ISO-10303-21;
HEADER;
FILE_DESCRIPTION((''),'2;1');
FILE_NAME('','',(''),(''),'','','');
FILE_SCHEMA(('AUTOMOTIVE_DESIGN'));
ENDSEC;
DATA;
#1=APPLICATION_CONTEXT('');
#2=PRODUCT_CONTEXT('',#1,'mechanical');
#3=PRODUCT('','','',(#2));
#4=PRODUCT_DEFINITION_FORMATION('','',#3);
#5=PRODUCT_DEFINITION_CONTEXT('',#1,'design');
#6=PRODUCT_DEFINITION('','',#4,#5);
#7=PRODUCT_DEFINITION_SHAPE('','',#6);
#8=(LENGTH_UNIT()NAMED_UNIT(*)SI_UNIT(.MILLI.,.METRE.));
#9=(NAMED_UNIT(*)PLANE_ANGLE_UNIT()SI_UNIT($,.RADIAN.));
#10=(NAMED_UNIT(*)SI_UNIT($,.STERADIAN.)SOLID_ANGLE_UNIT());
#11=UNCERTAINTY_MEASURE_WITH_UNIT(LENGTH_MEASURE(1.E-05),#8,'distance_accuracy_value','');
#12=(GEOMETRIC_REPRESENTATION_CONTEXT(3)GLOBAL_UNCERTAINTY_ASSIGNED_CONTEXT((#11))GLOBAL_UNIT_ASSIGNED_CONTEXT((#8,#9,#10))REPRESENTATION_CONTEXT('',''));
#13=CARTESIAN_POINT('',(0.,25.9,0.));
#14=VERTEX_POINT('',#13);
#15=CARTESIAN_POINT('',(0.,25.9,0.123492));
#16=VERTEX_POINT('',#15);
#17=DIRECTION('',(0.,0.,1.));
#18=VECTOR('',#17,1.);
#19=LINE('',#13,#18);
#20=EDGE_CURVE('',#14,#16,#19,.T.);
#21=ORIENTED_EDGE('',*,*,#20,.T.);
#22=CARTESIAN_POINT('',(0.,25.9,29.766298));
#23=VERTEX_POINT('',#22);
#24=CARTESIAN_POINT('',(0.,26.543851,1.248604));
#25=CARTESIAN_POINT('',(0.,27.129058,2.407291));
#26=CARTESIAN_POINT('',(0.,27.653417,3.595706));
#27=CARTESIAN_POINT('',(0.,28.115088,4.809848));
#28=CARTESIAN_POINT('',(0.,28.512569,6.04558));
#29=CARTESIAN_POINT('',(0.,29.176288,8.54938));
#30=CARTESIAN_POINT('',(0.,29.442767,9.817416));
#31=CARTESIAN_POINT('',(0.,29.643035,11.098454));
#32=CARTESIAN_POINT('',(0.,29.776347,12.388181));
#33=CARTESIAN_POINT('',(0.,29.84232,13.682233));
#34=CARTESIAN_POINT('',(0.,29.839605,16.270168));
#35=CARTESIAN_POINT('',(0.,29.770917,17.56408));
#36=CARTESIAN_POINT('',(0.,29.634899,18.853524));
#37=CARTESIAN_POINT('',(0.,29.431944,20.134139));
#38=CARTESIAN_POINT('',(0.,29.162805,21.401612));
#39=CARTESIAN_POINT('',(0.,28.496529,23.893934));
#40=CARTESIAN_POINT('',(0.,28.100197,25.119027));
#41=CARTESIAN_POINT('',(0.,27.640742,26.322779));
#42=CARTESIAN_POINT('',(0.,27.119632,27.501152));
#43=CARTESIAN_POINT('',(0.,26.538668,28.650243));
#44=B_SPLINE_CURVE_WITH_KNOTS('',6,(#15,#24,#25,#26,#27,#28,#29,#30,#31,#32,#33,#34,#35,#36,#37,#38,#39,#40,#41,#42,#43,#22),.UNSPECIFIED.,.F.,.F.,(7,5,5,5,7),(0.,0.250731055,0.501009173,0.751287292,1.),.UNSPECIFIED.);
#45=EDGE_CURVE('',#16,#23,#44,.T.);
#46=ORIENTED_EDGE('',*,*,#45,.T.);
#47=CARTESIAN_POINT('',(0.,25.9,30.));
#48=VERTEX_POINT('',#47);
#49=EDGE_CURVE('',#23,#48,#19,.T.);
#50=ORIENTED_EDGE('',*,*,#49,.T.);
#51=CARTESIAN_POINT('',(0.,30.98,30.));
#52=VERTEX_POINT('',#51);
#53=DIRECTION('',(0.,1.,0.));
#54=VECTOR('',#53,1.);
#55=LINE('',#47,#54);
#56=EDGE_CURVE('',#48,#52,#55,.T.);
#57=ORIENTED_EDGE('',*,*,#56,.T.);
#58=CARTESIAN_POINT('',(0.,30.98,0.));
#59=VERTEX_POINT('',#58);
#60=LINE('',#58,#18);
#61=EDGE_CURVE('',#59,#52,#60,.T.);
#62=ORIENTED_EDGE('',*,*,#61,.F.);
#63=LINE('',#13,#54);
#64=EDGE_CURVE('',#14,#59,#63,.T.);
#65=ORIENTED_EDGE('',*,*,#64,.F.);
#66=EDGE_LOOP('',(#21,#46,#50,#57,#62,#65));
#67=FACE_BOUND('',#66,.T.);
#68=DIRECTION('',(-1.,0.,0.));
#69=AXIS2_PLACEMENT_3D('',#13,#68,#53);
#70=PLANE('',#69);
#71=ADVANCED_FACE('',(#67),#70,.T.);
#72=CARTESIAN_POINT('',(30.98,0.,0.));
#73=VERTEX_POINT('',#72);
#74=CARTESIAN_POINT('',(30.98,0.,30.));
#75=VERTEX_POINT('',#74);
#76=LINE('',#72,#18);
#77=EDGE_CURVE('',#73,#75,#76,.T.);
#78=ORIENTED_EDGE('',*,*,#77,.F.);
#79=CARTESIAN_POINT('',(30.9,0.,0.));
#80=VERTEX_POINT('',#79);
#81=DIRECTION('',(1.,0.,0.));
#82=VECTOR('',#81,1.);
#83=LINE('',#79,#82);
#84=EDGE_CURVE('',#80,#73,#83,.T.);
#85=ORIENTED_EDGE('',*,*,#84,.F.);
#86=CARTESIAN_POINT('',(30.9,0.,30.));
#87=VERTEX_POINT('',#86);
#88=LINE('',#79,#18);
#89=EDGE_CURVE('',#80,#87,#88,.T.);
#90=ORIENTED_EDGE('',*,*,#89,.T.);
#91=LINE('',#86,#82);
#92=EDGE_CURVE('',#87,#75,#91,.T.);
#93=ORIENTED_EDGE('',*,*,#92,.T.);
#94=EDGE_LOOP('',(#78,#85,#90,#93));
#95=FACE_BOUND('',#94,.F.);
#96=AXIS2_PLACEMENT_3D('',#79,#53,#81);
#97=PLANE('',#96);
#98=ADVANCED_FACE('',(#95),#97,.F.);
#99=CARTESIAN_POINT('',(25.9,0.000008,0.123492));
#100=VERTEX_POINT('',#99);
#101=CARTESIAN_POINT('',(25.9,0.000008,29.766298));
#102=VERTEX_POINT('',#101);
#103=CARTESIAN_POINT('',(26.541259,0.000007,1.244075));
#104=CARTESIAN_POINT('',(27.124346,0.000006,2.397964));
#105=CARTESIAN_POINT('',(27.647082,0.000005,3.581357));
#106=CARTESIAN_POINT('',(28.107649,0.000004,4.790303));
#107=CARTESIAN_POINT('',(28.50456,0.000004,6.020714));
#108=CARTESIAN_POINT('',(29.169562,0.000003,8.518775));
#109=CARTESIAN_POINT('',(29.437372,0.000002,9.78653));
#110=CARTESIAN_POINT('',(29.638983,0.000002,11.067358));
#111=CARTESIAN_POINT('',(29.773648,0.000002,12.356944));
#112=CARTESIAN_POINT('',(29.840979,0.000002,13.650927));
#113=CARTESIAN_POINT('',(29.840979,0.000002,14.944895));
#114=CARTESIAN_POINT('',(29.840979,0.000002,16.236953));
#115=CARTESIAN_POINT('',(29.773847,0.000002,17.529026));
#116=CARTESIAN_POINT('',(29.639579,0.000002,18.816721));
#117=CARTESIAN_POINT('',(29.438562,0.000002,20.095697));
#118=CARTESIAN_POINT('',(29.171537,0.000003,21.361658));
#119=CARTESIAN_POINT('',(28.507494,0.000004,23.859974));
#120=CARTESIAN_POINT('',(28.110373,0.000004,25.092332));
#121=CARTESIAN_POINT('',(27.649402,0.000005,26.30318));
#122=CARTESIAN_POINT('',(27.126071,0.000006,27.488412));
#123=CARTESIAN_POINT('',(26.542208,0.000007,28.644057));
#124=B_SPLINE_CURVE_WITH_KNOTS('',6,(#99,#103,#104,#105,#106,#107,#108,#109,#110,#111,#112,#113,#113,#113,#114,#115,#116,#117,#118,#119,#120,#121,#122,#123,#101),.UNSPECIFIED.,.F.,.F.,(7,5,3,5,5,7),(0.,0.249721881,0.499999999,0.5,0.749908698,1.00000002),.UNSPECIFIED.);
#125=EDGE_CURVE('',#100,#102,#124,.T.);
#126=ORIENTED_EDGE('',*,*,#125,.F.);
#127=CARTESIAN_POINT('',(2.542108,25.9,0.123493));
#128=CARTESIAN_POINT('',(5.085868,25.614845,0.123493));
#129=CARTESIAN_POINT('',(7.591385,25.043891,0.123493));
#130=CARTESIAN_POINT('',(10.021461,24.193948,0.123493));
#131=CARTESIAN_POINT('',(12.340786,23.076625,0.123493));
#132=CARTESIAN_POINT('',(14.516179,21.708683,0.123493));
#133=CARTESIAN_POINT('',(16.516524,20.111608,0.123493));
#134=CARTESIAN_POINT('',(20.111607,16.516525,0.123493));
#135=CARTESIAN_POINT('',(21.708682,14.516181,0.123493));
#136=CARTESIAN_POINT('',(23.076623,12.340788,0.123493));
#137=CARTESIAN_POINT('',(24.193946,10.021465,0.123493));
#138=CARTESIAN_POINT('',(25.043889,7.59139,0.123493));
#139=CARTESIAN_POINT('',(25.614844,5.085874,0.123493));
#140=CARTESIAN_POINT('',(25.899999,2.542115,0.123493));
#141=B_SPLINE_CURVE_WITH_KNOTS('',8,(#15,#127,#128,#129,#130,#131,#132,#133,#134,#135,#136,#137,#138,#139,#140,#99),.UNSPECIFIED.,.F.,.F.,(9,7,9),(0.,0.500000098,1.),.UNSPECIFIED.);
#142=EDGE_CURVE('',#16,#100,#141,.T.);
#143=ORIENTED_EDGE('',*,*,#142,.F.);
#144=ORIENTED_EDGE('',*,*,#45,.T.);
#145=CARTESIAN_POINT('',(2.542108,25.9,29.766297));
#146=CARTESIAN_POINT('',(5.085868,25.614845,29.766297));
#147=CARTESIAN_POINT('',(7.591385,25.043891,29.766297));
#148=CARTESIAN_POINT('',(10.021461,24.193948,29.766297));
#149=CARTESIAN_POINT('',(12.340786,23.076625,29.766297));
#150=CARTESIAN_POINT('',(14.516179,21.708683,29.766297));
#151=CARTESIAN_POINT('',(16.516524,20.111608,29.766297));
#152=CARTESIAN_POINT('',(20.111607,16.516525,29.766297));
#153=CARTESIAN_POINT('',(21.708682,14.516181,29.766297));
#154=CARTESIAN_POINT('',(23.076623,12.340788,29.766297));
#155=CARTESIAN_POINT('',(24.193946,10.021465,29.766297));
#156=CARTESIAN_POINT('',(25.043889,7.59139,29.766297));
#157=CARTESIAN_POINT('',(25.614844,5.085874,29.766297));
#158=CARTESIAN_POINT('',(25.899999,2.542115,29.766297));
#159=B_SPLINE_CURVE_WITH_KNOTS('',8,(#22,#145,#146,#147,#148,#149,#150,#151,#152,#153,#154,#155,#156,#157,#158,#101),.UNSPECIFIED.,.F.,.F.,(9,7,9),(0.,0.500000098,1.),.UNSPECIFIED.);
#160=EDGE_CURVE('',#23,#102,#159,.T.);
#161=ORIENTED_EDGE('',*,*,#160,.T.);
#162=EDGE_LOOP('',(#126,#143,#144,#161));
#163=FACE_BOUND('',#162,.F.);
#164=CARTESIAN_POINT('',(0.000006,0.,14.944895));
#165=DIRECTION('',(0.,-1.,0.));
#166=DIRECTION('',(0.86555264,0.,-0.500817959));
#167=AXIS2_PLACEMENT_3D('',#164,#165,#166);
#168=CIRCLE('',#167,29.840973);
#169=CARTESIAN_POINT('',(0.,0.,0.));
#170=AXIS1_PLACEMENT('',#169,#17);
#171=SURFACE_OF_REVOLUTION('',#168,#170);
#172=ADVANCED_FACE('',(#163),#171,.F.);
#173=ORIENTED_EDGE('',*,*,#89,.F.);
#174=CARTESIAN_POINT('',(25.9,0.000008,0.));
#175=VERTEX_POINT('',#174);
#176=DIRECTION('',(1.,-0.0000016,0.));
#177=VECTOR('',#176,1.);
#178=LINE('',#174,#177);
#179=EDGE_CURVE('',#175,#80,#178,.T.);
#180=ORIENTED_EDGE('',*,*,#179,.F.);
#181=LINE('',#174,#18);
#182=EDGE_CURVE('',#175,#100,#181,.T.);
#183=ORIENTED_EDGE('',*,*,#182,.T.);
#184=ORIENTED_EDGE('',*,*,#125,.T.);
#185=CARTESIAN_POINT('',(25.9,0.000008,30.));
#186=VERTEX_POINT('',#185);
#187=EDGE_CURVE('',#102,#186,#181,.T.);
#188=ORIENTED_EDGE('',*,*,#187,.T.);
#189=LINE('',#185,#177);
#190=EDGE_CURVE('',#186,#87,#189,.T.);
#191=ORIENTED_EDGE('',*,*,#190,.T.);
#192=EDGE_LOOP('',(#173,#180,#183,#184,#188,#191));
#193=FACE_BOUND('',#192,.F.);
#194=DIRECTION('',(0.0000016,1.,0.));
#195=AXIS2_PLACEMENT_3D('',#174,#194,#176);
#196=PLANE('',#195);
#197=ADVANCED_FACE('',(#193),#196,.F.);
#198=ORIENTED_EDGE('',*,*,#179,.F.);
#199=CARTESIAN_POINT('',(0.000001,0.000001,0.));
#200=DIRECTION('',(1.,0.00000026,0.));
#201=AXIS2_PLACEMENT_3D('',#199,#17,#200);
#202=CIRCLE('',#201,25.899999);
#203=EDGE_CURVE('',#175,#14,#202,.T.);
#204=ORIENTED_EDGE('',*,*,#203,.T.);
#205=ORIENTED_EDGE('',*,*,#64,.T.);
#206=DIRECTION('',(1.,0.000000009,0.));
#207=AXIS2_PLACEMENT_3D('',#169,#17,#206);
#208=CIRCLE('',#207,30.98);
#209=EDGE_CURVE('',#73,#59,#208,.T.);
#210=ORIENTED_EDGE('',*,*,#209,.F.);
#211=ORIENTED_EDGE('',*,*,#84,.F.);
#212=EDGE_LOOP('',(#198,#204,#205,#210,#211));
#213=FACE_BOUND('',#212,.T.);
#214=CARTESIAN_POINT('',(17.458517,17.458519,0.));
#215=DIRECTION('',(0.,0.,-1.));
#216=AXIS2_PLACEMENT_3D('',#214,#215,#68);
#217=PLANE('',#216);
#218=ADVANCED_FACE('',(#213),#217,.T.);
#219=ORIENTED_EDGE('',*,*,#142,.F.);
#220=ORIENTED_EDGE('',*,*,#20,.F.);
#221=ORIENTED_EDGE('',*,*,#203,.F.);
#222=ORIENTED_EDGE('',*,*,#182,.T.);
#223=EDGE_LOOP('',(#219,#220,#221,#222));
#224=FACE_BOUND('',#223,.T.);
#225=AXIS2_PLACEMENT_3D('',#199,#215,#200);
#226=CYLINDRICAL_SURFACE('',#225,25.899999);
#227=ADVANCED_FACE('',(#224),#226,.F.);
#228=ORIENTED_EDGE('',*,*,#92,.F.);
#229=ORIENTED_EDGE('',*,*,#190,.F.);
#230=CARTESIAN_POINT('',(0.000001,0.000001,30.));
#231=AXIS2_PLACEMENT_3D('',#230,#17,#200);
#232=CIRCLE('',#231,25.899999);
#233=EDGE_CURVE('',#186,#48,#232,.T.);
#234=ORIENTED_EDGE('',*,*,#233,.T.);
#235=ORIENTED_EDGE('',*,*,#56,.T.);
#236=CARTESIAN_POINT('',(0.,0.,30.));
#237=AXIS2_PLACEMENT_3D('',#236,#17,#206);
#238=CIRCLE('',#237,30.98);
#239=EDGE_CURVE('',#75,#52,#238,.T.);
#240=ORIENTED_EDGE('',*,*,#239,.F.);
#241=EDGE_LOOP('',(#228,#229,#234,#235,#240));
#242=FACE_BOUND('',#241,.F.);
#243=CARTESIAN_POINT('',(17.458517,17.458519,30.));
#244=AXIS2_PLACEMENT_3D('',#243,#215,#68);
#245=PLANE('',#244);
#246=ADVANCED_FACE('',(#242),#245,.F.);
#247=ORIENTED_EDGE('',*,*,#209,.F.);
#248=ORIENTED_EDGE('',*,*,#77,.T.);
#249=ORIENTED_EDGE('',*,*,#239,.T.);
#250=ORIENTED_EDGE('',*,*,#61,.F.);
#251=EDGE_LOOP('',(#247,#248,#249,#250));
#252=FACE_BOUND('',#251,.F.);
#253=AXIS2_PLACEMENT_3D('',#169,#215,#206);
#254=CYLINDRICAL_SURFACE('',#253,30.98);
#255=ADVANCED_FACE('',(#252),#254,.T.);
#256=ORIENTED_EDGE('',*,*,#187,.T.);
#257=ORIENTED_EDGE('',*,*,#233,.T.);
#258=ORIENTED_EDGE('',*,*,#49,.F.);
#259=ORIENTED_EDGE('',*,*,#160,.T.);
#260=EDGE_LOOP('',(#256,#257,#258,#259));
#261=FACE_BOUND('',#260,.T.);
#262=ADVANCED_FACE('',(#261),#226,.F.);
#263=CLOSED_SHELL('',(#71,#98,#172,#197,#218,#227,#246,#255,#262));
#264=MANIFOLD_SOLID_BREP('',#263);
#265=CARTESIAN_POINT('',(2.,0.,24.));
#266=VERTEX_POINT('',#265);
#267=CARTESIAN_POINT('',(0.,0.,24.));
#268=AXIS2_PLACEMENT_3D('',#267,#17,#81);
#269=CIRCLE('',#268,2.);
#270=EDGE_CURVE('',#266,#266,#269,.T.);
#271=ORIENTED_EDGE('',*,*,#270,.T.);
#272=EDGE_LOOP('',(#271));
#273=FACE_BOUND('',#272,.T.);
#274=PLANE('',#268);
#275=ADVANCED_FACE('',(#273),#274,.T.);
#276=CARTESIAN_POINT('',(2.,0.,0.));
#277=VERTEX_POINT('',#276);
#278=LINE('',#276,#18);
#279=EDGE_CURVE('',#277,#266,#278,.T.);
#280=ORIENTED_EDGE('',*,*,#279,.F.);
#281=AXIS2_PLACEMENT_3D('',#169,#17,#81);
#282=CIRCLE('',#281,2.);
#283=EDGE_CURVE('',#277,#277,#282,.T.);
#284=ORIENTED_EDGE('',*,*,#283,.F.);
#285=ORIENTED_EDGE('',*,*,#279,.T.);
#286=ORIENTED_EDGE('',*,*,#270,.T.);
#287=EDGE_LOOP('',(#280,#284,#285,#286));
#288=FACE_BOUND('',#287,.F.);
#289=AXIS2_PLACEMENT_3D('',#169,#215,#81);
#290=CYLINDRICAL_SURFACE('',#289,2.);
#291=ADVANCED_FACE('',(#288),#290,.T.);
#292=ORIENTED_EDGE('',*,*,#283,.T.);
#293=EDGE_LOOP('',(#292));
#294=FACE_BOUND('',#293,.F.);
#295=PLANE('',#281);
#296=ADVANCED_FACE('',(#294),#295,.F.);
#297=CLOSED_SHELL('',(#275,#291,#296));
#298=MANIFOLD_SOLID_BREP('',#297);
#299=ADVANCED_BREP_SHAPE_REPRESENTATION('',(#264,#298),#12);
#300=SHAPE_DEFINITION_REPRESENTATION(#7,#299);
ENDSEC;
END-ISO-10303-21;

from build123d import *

# Parameters (mm, degrees)
CYLINDER011_R               = 2
CYLINDER011_DEPTH           = 24
CYLINDER011_ROLL_ANGLE      = -25.142505
CYLINDER011_PITCH_ANGLE     = 89.880709
CYLINDER011_PLACEMENT_ANGLE = 25.142505
BASEFEATURE_ROLL_ANGLE      = 89.859615
BASEFEATURE_PITCH_ANGLE     = -39.714859
BASEFEATURE_PLACEMENT_ANGLE = -89.859615
PAD_DEPTH                   = 30


with BuildPart() as part:
    # Cylinder011 → Cylinder011 (new body)
    with BuildSketch(Plane.XY):
        Circle(CYLINDER011_R)
    extrude(amount=CYLINDER011_DEPTH)


with BuildPart() as part_1:
    # Cylinder011 roll: moved
    add(part.part.rotate(Axis((0, 0, 0), (1, 0, 0)), CYLINDER011_ROLL_ANGLE))


with BuildPart() as part_2:
    # Cylinder011 pitch: moved
    add(part_1.part.rotate(Axis((0, 0, 0), (0, 1, 0)), CYLINDER011_PITCH_ANGLE))


with BuildPart() as part_3:
    # Cylinder011 placement: moved
    add(part_2.part.moved(Location((21.03, 20.35, 4))).rotate(Axis((21.03, 20.35, 4), (0, 0, 1)), CYLINDER011_PLACEMENT_ANGLE))


with BuildPart() as part_4:
    # BaseFeature roll: moved
    add(part_3.part.rotate(Axis((0, 0, 0), (1, 0, 0)), BASEFEATURE_ROLL_ANGLE))


with BuildPart() as part_5:
    # BaseFeature pitch: moved
    add(part_4.part.rotate(Axis((0, 0, 0), (0, 1, 0)), BASEFEATURE_PITCH_ANGLE))


with BuildPart() as part_6:
    # BaseFeature placement: moved
    add(part_5.part.moved(Location((3.942353, 3.177449, -29.098884))).rotate(Axis((3.942353, 3.177449, -29.098884), (0, 0, 1)), BASEFEATURE_PLACEMENT_ANGLE))

    # Sketch (on XY_Plane of Origin) → Pad (new body)
    with BuildSketch(Plane.XY):
        with BuildLine():
            ThreePointArc((25.9, 8e-06), (18.314063, 18.314069), (0, 25.9))
            Line((0, 25.9), (0, 30.9))
            Line((0, 30.9), (0, 30.98))
            ThreePointArc((30.98, 0), (21.906168, 21.906168), (0, 30.98))
            Line((30.9, 0), (30.98, 0))
            Line((25.9, 8e-06), (30.9, 0))
        make_face()
    extrude(amount=PAD_DEPTH)

    # Sketch001 (on XZ_Plane of Origin) → Groove (revolve, cut)
    with BuildSketch(Plane.XZ):
        with BuildLine():
            ThreePointArc((25.828939, 0), (29.840979, 14.944895), (25.828939, 29.88979))
            Line((25.828939, 29.88979), (25.828939, 0))
        make_face()
    revolve(axis=Axis((0, 0, 0), (0, 0, 1)), mode=Mode.SUBTRACT)


solid = part_6.part
